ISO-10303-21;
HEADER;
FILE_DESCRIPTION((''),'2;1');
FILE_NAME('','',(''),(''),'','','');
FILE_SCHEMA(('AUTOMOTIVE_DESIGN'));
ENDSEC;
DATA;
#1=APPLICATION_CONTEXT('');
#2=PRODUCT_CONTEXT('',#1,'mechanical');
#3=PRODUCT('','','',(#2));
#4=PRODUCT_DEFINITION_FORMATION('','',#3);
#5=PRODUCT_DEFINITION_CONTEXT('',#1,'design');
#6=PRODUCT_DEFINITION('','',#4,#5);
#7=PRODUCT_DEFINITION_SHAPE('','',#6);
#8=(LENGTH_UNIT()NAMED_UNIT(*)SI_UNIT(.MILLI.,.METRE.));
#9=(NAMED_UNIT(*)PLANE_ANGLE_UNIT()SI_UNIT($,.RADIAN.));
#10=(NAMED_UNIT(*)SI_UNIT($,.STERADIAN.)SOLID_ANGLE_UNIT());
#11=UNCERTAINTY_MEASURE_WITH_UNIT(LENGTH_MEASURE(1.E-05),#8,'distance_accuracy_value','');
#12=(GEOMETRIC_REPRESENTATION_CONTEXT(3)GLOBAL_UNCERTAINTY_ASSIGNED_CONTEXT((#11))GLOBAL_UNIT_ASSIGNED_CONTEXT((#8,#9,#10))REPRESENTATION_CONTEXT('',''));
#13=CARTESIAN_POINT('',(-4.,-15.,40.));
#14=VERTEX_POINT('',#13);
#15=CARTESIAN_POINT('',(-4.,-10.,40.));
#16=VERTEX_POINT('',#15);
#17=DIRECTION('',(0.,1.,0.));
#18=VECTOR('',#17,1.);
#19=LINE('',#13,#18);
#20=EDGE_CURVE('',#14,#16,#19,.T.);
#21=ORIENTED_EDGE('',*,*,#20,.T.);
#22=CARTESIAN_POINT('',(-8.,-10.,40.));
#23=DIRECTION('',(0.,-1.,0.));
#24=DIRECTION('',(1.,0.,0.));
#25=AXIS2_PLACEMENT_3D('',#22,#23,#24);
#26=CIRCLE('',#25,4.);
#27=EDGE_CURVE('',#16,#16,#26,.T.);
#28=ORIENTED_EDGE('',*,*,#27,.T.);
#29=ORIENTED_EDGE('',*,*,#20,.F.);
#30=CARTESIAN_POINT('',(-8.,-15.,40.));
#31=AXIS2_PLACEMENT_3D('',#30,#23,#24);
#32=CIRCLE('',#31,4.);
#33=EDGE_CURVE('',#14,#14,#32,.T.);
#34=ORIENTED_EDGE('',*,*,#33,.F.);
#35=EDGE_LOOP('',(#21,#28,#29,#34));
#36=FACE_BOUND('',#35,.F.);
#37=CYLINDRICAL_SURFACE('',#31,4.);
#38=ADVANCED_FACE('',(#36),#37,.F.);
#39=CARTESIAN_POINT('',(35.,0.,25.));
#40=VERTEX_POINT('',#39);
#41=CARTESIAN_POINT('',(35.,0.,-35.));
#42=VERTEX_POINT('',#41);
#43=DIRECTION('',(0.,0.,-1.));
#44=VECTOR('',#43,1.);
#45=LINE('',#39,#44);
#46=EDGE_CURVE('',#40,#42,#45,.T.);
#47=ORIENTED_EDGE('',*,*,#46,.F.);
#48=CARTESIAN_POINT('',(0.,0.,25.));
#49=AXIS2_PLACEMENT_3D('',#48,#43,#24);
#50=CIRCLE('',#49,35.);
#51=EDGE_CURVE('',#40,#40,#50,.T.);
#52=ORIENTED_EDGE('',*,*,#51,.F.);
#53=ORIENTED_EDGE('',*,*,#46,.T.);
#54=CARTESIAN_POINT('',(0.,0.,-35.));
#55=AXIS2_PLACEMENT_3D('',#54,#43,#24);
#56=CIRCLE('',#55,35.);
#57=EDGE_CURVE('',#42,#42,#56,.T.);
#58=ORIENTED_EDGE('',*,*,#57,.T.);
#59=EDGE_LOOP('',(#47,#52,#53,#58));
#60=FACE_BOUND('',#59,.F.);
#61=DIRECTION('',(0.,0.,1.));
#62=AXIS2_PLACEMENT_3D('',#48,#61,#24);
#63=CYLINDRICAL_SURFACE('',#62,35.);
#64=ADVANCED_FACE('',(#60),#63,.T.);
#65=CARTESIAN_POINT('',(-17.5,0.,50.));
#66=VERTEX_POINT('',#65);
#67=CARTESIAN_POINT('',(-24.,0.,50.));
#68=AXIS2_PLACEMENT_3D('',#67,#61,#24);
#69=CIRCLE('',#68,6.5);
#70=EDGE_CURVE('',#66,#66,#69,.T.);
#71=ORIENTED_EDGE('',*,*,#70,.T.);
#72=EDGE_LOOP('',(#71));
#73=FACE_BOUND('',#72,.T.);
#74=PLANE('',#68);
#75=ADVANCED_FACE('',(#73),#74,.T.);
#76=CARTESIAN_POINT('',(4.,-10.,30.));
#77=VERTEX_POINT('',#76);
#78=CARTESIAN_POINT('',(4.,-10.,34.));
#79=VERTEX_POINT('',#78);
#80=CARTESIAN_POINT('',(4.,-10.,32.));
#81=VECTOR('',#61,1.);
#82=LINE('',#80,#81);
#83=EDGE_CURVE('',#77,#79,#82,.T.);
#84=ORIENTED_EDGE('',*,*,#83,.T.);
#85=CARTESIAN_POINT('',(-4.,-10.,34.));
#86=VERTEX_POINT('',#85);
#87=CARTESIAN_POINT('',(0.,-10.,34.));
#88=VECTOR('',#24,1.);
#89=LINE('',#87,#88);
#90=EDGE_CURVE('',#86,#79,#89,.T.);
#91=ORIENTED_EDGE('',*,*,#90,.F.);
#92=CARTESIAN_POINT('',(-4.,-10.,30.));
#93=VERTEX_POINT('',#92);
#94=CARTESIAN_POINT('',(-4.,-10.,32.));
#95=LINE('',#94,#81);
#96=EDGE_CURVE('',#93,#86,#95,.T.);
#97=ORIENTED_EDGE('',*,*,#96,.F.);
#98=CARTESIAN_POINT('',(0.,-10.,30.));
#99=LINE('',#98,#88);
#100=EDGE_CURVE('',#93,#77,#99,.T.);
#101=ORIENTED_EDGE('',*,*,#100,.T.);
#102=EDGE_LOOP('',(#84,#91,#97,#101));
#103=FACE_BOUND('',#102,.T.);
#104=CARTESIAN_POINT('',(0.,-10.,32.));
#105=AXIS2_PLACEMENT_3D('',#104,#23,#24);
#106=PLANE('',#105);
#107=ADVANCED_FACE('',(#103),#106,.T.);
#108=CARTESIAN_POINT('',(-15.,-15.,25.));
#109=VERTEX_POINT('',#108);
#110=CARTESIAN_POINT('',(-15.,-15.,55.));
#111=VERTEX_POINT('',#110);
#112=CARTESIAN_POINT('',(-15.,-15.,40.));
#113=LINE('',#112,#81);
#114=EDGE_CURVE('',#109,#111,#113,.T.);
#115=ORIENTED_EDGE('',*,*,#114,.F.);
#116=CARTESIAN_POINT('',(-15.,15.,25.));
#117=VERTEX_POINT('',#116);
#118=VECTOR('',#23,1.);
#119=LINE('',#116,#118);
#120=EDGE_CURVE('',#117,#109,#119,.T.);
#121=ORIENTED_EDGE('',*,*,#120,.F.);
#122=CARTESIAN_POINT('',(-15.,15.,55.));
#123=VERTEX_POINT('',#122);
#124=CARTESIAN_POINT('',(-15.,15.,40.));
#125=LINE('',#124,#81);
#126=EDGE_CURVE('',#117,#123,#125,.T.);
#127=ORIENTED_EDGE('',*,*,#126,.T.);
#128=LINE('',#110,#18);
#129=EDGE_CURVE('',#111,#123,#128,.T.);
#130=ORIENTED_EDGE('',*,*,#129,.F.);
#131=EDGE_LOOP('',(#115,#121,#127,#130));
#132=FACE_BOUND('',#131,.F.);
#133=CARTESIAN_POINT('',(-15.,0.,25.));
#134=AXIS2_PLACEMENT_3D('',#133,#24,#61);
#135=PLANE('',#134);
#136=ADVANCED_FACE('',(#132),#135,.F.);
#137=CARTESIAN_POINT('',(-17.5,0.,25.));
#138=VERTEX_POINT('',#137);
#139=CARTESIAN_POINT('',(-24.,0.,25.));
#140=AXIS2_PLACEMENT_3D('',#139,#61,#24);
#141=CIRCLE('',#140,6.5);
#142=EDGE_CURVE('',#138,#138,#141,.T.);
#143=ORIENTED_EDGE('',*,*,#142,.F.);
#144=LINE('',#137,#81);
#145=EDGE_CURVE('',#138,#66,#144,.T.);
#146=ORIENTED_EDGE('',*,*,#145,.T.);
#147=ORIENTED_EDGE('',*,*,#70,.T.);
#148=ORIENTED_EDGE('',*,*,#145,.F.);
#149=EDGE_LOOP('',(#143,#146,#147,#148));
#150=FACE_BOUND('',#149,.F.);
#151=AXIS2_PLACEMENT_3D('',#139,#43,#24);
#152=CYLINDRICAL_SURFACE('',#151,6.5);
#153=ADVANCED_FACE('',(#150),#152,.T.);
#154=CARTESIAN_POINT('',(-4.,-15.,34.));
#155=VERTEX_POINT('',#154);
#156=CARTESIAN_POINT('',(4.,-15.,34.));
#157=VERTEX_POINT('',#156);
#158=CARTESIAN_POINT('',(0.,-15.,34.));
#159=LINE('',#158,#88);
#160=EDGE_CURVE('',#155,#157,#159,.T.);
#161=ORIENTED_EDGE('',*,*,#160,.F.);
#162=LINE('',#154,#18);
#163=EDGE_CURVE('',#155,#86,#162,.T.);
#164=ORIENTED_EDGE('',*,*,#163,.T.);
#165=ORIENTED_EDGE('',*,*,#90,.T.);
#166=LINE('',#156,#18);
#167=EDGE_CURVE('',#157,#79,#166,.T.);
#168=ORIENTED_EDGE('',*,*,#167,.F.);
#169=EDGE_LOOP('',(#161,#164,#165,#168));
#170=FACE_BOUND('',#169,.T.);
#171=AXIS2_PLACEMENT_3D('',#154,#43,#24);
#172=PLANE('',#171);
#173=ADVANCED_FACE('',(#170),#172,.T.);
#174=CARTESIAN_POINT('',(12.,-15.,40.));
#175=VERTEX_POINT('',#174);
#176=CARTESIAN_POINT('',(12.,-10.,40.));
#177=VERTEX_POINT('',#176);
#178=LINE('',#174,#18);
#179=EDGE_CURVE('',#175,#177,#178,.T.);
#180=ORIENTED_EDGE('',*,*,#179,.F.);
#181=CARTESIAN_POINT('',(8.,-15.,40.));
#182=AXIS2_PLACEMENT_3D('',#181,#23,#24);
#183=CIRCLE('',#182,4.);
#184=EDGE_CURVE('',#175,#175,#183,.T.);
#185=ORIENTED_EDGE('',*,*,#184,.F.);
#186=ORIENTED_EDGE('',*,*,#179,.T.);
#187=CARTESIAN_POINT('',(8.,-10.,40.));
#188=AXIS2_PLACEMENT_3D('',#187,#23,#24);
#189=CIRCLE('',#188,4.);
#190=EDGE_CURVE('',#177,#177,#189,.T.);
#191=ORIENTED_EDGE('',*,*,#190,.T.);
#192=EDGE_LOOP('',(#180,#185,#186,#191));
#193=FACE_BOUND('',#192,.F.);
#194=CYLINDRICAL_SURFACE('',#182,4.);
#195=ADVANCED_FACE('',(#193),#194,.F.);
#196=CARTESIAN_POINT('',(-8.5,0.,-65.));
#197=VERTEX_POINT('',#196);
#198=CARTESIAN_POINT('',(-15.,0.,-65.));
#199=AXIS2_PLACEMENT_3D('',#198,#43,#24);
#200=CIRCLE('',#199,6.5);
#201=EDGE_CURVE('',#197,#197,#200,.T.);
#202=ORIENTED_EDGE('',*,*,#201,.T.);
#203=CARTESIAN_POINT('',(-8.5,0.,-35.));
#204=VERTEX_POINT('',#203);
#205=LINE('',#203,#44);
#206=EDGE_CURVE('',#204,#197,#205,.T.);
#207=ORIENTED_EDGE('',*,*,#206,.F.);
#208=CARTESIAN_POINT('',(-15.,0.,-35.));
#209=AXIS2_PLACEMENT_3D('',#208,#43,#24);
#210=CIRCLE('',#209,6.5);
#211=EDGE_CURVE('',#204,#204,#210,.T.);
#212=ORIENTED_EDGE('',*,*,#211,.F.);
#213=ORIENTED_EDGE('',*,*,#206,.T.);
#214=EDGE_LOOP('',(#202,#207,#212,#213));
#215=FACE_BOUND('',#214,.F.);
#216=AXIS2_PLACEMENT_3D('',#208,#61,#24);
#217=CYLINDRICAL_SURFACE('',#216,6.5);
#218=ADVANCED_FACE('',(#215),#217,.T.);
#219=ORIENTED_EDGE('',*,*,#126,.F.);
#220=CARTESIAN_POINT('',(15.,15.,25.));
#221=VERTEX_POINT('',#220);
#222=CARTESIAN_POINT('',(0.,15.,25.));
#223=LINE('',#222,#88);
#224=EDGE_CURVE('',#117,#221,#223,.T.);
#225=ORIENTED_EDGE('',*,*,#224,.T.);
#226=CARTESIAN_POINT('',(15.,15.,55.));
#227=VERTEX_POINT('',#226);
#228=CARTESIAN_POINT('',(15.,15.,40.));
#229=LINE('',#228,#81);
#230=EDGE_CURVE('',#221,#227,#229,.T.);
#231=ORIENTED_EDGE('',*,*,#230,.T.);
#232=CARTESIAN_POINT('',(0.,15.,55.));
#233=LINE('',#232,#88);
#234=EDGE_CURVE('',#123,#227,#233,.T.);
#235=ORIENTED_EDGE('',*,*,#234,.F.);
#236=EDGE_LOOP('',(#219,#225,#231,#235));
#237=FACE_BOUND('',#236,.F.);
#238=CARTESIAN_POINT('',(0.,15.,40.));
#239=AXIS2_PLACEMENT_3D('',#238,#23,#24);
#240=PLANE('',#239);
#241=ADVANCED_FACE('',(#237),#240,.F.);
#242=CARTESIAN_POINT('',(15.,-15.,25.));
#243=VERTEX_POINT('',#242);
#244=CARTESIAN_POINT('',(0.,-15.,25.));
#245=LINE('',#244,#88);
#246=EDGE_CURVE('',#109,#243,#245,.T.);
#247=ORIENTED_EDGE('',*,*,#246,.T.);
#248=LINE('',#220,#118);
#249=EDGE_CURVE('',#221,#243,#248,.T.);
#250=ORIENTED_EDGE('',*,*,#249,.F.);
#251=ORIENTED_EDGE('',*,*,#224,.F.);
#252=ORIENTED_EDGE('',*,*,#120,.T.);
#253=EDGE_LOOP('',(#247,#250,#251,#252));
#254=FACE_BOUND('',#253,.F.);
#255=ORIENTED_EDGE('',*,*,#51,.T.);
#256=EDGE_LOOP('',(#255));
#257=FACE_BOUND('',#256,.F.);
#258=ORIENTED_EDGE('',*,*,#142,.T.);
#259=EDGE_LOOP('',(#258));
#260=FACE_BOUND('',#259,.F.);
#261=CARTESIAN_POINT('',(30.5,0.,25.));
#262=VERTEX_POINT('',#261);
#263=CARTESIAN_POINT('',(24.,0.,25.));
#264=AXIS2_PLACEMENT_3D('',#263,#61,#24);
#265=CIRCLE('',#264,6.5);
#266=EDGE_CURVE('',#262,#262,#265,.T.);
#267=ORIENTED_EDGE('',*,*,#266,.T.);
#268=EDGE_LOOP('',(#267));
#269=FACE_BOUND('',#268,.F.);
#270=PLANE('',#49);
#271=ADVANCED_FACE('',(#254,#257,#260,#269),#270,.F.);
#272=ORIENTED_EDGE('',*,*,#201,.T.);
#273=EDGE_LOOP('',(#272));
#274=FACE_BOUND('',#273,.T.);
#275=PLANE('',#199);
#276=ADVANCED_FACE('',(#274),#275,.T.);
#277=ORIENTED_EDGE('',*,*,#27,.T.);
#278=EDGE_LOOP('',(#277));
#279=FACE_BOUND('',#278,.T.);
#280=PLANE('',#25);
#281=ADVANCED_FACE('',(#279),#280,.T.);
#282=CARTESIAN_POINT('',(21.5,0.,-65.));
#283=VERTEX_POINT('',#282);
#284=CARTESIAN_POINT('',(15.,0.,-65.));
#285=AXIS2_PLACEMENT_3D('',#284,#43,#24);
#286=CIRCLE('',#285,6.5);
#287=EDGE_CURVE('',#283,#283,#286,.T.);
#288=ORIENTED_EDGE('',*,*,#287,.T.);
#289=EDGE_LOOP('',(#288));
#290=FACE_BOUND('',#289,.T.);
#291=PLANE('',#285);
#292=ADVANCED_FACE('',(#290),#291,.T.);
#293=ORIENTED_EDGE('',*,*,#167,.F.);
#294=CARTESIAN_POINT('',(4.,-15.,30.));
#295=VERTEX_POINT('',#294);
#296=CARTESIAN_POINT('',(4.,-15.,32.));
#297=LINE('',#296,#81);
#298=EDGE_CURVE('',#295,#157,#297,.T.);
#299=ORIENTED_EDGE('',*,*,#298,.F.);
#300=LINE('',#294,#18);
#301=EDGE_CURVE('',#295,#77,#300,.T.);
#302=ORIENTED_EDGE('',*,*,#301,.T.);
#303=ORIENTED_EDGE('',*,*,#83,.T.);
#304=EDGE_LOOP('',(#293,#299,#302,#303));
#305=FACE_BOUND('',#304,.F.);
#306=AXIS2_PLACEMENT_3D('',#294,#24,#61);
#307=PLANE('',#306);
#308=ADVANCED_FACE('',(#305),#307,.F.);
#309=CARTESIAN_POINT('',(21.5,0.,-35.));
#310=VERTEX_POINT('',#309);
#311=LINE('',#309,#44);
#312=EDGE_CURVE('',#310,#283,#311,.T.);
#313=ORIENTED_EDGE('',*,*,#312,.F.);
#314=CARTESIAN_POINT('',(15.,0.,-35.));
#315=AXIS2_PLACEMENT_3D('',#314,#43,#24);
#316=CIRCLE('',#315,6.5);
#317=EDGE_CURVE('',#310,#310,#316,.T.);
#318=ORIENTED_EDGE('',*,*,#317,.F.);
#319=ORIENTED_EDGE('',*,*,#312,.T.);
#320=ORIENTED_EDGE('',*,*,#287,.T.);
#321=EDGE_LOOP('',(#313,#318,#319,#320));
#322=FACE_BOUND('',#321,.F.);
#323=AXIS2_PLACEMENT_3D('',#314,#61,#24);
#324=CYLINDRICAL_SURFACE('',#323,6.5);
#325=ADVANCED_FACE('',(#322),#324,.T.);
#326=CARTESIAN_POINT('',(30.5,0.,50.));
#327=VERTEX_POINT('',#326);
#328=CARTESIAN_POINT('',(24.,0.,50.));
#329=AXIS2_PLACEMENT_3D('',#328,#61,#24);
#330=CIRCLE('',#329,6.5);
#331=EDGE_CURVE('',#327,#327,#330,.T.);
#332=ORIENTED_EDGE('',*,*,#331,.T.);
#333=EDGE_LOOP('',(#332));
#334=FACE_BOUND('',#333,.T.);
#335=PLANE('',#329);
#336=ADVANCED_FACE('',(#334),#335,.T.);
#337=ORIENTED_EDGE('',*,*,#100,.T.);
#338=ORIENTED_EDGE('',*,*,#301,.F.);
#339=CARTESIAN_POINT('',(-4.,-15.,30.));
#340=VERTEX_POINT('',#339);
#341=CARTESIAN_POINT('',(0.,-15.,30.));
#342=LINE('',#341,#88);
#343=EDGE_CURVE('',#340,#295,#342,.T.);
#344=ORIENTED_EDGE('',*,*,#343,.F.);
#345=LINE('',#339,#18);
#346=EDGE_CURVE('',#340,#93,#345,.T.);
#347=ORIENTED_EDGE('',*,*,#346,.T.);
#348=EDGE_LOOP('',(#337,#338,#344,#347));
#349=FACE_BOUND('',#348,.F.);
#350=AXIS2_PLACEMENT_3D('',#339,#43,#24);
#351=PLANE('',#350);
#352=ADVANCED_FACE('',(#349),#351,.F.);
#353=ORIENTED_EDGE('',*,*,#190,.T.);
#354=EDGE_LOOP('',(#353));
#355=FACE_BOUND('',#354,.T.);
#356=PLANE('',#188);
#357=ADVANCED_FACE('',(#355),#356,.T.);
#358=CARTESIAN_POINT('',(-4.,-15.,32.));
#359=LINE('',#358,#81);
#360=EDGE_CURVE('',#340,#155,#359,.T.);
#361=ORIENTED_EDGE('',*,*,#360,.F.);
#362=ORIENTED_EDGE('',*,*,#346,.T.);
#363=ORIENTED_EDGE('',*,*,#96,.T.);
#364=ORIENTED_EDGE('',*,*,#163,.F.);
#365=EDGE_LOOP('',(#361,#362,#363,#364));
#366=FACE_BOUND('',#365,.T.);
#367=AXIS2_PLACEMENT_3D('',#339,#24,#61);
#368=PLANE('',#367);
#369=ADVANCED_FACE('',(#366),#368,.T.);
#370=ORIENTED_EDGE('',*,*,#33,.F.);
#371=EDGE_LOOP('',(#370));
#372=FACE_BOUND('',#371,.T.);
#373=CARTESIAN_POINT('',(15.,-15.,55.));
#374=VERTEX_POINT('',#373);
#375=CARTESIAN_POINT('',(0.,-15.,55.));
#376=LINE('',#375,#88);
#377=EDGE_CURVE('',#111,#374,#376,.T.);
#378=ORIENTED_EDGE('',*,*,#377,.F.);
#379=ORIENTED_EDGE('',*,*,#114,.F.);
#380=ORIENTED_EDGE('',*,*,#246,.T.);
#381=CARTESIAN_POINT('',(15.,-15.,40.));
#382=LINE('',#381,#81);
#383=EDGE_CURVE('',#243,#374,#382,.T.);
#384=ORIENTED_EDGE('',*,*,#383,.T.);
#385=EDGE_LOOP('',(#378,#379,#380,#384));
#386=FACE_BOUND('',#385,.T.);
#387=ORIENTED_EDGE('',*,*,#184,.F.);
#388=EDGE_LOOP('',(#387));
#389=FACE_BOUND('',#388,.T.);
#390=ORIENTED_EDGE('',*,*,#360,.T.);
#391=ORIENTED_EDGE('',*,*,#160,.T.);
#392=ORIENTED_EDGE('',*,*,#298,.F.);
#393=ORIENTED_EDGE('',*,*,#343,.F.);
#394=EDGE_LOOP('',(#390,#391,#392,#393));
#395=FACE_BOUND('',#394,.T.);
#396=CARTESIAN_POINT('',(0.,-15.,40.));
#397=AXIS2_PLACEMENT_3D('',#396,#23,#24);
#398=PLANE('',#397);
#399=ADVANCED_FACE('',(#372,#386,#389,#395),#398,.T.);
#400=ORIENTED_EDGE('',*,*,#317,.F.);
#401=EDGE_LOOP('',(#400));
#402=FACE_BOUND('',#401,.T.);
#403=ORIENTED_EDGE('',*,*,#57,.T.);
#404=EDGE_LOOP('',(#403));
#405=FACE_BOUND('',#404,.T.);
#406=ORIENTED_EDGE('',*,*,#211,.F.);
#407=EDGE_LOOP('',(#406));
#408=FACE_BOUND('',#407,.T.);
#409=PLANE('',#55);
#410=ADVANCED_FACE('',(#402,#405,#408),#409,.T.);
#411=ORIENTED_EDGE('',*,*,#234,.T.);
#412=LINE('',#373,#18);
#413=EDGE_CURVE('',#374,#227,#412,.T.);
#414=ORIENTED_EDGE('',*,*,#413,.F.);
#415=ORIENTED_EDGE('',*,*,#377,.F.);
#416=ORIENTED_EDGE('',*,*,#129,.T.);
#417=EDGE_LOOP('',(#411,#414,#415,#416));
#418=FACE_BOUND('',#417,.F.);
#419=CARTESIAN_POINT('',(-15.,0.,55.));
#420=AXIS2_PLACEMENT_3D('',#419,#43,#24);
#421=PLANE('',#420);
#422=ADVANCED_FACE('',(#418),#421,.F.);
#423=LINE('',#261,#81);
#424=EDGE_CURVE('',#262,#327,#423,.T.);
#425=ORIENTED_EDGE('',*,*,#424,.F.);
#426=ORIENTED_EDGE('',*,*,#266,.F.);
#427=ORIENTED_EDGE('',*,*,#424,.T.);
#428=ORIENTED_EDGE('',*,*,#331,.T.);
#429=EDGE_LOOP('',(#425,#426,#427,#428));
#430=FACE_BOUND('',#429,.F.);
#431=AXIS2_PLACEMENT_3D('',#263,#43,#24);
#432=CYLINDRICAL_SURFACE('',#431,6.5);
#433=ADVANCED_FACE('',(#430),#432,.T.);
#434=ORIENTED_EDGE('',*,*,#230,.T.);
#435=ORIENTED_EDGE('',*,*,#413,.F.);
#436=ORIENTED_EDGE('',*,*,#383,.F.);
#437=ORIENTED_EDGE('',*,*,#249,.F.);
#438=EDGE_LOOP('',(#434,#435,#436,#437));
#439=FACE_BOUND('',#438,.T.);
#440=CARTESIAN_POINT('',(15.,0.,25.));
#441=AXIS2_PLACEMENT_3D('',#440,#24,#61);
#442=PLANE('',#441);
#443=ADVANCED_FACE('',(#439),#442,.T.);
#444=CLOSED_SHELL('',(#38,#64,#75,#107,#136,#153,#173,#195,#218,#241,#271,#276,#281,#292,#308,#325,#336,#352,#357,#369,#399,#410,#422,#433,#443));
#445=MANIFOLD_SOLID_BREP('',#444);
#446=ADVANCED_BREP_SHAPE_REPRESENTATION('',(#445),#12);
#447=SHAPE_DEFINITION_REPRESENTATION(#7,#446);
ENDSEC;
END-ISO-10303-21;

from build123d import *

# Parameters (mm, degrees)
F0_W     = 30
F0_H     = 30
F1_DEPTH = 15
F2_R     = 35
F3_DEPTH = 60
F4_R     = 6.5
F5_DEPTH = 30
F6_R     = 4
F6_W     = 8
F6_H     = 4
F7_DEPTH = 5
F8_R     = 6.5
F9_DEPTH = 25


with BuildPart() as f1:
    # F0 (on Front) → F1 (new body, symmetric)
    with BuildSketch(Plane.XZ):
        with Locations((0, 40)):
            Rectangle(F0_W, F0_H)
    extrude(amount=F1_DEPTH, both=True)

    # F2 (on face) → F3 (join)
    with BuildSketch(Plane(origin=(0, 0, 25), x_dir=(1, 0, 0), z_dir=(0, 0, -1))):
        Circle(F2_R)
    extrude(amount=F3_DEPTH)

    # F4 (on face) → F5 (join)
    with BuildSketch(Plane(origin=(0, 0, -35), x_dir=(1, 0, 0), z_dir=(0, 0, -1))):
        with Locations((-15, 0)):
            Circle(F4_R)
        with Locations((15, 0)):
            Circle(F4_R)
    extrude(amount=F5_DEPTH)

    # F6 (on face) → F7 (cut)
    with BuildSketch(Plane.XZ.offset(15)):
        with Locations((-8, 40)):
            Circle(F6_R)
        with Locations((8, 40)):
            Circle(F6_R)
        with Locations((0, 32)):
            Rectangle(F6_W, F6_H)
    extrude(amount=-F7_DEPTH, mode=Mode.SUBTRACT)

    # F8 (on face) → F9 (join)
    with BuildSketch(Plane.XY.offset(25)):
        with Locations((-24, 0)):
            Circle(F8_R)
        with Locations((24, 0)):
            Circle(F8_R)
    extrude(amount=F9_DEPTH)


solid = f1.part
